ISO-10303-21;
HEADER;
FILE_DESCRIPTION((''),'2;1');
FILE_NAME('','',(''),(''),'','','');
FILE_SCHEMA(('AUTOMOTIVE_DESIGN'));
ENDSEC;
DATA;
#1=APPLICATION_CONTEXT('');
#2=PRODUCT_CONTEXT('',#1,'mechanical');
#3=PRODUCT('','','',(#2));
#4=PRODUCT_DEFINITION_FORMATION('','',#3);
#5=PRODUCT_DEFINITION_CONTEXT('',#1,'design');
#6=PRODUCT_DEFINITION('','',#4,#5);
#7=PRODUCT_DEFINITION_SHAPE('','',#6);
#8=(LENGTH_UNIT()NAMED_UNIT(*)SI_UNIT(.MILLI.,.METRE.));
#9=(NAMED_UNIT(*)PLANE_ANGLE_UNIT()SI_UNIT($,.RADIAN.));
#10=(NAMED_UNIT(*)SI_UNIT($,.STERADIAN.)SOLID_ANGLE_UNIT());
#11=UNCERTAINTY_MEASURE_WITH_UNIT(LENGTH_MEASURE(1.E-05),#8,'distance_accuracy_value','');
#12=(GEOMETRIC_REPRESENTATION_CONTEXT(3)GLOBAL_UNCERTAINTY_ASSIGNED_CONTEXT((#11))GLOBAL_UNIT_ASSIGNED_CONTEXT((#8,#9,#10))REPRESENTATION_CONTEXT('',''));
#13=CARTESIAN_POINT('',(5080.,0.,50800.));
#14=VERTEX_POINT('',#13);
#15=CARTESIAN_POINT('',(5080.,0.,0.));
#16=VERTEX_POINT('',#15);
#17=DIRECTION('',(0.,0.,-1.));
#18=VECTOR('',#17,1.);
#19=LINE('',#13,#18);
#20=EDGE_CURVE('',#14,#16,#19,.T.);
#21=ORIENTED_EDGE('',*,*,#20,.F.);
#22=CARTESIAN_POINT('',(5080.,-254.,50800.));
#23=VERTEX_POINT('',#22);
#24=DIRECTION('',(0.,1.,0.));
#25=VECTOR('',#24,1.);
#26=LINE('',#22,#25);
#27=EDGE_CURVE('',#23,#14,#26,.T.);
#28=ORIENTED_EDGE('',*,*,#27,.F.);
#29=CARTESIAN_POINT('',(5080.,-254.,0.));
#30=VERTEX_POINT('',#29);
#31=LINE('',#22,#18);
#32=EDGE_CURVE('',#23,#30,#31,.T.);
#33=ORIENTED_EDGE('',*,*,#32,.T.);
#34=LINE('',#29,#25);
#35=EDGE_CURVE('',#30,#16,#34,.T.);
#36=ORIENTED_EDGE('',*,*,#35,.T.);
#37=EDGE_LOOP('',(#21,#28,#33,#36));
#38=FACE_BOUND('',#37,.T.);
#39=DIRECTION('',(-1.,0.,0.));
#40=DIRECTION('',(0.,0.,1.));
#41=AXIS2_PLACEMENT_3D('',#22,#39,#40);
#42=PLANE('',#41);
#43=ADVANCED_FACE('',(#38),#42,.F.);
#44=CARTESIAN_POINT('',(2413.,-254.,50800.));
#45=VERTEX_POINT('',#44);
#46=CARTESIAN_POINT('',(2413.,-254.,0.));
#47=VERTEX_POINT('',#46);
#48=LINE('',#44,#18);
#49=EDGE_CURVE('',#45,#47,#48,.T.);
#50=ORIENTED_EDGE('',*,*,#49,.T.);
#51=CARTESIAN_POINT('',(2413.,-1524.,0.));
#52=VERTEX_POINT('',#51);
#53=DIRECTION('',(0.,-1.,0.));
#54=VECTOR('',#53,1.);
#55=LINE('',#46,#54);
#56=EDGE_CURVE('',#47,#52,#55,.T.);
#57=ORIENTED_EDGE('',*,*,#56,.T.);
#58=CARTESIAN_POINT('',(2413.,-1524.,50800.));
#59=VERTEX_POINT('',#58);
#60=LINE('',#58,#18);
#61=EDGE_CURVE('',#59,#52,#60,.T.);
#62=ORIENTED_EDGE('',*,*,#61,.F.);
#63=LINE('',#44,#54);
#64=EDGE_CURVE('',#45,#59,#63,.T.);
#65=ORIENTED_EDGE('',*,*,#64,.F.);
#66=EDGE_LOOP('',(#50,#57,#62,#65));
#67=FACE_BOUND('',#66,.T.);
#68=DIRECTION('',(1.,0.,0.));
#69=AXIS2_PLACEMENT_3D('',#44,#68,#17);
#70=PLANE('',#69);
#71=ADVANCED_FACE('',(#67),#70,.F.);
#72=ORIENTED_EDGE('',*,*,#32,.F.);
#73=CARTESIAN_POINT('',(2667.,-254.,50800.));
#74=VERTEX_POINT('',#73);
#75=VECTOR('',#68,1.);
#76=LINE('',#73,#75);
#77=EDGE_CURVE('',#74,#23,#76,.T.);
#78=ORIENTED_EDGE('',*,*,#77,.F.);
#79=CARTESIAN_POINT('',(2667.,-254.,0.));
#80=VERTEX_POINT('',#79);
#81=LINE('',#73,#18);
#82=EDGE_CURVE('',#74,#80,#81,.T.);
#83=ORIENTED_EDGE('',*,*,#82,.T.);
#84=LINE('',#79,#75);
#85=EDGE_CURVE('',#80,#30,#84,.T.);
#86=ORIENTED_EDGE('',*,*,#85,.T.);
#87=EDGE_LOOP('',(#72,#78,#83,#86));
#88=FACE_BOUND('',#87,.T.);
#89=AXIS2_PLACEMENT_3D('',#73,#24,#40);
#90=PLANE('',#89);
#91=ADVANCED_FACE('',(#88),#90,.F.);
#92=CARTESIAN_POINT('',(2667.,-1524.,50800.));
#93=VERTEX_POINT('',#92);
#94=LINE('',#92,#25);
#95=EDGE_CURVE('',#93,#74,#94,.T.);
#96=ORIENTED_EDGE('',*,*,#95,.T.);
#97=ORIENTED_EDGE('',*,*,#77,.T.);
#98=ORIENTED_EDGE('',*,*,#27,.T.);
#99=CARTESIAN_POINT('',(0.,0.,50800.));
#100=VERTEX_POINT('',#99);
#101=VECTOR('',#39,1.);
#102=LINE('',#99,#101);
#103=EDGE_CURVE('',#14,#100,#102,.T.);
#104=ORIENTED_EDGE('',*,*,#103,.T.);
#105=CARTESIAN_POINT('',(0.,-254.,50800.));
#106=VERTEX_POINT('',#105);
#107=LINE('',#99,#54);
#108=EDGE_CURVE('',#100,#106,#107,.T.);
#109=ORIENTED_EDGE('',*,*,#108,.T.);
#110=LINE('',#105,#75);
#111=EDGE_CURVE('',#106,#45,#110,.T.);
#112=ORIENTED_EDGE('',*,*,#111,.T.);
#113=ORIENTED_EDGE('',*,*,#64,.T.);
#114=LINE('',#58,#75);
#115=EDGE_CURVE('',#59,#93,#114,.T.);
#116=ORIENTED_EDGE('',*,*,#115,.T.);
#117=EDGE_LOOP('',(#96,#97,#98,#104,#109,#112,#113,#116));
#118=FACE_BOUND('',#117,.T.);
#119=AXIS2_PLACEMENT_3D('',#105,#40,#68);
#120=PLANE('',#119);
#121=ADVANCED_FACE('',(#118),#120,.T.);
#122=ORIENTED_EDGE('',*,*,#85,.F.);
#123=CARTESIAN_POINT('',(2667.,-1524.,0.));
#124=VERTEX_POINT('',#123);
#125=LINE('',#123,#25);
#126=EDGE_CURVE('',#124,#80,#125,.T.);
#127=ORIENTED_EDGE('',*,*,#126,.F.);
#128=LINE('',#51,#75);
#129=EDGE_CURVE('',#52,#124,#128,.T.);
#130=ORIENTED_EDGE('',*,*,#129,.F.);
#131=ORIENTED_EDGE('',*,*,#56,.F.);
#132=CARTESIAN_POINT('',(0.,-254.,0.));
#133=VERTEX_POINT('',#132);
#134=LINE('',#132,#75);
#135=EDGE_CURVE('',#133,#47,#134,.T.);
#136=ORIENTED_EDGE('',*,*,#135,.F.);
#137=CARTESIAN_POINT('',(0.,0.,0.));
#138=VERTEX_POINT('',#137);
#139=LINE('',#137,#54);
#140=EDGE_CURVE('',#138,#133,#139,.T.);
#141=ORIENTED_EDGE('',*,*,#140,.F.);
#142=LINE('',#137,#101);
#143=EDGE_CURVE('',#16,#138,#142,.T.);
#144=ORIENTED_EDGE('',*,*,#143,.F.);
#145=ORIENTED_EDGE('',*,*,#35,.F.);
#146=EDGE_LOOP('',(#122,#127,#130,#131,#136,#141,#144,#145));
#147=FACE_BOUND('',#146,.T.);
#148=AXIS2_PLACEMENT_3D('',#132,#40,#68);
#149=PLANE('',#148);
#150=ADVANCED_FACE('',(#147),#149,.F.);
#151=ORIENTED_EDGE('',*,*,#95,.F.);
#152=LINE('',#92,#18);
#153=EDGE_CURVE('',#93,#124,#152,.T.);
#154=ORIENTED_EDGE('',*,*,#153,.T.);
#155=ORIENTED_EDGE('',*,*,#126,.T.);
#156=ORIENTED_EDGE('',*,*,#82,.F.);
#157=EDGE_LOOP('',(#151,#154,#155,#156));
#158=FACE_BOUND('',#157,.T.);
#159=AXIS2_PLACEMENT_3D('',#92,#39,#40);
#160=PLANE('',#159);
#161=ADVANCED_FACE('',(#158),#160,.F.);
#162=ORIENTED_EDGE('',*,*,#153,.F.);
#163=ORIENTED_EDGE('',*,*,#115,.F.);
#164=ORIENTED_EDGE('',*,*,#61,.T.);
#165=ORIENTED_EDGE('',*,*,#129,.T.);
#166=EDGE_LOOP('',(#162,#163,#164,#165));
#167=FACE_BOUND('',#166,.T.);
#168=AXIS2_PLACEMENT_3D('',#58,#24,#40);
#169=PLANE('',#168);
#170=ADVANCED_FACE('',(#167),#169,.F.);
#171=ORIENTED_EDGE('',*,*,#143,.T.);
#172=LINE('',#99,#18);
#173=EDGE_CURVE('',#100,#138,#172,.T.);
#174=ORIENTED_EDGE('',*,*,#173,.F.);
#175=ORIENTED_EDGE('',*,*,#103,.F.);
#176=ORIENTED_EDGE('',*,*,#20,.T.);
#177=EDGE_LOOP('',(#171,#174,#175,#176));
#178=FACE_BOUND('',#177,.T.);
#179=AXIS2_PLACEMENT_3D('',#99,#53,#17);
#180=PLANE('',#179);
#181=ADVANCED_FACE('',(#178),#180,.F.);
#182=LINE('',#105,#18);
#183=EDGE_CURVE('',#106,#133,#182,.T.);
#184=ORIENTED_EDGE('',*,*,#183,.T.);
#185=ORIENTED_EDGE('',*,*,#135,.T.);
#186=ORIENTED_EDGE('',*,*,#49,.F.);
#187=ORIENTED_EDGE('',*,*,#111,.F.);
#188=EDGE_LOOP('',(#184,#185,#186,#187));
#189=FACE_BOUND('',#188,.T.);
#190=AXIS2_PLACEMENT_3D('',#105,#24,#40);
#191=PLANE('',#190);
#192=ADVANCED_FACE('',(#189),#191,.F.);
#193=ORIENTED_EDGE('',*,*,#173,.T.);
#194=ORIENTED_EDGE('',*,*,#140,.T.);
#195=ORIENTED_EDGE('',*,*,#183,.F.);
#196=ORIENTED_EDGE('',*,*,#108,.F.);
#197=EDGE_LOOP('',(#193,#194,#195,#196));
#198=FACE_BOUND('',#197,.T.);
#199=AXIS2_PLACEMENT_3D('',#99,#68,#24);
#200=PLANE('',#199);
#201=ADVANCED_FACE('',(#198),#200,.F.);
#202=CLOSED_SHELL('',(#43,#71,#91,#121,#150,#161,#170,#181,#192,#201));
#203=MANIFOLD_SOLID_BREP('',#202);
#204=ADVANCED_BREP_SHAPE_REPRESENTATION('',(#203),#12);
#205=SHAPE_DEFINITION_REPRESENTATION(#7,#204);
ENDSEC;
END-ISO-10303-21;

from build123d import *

# Parameters (mm, degrees)
EXTRUDE1_DEPTH = 50800


with BuildPart() as part:
    # Sketch1 → Extrude1 (new body)
    with BuildSketch(Plane.XY):
        Polygon((0, 0), (5080, 0), (5080, -254), (2667, -254), (2667, -1524), (2413, -1524), (2413, -254), (0, -254), align=None)
    extrude(amount=EXTRUDE1_DEPTH)


solid = part.part
